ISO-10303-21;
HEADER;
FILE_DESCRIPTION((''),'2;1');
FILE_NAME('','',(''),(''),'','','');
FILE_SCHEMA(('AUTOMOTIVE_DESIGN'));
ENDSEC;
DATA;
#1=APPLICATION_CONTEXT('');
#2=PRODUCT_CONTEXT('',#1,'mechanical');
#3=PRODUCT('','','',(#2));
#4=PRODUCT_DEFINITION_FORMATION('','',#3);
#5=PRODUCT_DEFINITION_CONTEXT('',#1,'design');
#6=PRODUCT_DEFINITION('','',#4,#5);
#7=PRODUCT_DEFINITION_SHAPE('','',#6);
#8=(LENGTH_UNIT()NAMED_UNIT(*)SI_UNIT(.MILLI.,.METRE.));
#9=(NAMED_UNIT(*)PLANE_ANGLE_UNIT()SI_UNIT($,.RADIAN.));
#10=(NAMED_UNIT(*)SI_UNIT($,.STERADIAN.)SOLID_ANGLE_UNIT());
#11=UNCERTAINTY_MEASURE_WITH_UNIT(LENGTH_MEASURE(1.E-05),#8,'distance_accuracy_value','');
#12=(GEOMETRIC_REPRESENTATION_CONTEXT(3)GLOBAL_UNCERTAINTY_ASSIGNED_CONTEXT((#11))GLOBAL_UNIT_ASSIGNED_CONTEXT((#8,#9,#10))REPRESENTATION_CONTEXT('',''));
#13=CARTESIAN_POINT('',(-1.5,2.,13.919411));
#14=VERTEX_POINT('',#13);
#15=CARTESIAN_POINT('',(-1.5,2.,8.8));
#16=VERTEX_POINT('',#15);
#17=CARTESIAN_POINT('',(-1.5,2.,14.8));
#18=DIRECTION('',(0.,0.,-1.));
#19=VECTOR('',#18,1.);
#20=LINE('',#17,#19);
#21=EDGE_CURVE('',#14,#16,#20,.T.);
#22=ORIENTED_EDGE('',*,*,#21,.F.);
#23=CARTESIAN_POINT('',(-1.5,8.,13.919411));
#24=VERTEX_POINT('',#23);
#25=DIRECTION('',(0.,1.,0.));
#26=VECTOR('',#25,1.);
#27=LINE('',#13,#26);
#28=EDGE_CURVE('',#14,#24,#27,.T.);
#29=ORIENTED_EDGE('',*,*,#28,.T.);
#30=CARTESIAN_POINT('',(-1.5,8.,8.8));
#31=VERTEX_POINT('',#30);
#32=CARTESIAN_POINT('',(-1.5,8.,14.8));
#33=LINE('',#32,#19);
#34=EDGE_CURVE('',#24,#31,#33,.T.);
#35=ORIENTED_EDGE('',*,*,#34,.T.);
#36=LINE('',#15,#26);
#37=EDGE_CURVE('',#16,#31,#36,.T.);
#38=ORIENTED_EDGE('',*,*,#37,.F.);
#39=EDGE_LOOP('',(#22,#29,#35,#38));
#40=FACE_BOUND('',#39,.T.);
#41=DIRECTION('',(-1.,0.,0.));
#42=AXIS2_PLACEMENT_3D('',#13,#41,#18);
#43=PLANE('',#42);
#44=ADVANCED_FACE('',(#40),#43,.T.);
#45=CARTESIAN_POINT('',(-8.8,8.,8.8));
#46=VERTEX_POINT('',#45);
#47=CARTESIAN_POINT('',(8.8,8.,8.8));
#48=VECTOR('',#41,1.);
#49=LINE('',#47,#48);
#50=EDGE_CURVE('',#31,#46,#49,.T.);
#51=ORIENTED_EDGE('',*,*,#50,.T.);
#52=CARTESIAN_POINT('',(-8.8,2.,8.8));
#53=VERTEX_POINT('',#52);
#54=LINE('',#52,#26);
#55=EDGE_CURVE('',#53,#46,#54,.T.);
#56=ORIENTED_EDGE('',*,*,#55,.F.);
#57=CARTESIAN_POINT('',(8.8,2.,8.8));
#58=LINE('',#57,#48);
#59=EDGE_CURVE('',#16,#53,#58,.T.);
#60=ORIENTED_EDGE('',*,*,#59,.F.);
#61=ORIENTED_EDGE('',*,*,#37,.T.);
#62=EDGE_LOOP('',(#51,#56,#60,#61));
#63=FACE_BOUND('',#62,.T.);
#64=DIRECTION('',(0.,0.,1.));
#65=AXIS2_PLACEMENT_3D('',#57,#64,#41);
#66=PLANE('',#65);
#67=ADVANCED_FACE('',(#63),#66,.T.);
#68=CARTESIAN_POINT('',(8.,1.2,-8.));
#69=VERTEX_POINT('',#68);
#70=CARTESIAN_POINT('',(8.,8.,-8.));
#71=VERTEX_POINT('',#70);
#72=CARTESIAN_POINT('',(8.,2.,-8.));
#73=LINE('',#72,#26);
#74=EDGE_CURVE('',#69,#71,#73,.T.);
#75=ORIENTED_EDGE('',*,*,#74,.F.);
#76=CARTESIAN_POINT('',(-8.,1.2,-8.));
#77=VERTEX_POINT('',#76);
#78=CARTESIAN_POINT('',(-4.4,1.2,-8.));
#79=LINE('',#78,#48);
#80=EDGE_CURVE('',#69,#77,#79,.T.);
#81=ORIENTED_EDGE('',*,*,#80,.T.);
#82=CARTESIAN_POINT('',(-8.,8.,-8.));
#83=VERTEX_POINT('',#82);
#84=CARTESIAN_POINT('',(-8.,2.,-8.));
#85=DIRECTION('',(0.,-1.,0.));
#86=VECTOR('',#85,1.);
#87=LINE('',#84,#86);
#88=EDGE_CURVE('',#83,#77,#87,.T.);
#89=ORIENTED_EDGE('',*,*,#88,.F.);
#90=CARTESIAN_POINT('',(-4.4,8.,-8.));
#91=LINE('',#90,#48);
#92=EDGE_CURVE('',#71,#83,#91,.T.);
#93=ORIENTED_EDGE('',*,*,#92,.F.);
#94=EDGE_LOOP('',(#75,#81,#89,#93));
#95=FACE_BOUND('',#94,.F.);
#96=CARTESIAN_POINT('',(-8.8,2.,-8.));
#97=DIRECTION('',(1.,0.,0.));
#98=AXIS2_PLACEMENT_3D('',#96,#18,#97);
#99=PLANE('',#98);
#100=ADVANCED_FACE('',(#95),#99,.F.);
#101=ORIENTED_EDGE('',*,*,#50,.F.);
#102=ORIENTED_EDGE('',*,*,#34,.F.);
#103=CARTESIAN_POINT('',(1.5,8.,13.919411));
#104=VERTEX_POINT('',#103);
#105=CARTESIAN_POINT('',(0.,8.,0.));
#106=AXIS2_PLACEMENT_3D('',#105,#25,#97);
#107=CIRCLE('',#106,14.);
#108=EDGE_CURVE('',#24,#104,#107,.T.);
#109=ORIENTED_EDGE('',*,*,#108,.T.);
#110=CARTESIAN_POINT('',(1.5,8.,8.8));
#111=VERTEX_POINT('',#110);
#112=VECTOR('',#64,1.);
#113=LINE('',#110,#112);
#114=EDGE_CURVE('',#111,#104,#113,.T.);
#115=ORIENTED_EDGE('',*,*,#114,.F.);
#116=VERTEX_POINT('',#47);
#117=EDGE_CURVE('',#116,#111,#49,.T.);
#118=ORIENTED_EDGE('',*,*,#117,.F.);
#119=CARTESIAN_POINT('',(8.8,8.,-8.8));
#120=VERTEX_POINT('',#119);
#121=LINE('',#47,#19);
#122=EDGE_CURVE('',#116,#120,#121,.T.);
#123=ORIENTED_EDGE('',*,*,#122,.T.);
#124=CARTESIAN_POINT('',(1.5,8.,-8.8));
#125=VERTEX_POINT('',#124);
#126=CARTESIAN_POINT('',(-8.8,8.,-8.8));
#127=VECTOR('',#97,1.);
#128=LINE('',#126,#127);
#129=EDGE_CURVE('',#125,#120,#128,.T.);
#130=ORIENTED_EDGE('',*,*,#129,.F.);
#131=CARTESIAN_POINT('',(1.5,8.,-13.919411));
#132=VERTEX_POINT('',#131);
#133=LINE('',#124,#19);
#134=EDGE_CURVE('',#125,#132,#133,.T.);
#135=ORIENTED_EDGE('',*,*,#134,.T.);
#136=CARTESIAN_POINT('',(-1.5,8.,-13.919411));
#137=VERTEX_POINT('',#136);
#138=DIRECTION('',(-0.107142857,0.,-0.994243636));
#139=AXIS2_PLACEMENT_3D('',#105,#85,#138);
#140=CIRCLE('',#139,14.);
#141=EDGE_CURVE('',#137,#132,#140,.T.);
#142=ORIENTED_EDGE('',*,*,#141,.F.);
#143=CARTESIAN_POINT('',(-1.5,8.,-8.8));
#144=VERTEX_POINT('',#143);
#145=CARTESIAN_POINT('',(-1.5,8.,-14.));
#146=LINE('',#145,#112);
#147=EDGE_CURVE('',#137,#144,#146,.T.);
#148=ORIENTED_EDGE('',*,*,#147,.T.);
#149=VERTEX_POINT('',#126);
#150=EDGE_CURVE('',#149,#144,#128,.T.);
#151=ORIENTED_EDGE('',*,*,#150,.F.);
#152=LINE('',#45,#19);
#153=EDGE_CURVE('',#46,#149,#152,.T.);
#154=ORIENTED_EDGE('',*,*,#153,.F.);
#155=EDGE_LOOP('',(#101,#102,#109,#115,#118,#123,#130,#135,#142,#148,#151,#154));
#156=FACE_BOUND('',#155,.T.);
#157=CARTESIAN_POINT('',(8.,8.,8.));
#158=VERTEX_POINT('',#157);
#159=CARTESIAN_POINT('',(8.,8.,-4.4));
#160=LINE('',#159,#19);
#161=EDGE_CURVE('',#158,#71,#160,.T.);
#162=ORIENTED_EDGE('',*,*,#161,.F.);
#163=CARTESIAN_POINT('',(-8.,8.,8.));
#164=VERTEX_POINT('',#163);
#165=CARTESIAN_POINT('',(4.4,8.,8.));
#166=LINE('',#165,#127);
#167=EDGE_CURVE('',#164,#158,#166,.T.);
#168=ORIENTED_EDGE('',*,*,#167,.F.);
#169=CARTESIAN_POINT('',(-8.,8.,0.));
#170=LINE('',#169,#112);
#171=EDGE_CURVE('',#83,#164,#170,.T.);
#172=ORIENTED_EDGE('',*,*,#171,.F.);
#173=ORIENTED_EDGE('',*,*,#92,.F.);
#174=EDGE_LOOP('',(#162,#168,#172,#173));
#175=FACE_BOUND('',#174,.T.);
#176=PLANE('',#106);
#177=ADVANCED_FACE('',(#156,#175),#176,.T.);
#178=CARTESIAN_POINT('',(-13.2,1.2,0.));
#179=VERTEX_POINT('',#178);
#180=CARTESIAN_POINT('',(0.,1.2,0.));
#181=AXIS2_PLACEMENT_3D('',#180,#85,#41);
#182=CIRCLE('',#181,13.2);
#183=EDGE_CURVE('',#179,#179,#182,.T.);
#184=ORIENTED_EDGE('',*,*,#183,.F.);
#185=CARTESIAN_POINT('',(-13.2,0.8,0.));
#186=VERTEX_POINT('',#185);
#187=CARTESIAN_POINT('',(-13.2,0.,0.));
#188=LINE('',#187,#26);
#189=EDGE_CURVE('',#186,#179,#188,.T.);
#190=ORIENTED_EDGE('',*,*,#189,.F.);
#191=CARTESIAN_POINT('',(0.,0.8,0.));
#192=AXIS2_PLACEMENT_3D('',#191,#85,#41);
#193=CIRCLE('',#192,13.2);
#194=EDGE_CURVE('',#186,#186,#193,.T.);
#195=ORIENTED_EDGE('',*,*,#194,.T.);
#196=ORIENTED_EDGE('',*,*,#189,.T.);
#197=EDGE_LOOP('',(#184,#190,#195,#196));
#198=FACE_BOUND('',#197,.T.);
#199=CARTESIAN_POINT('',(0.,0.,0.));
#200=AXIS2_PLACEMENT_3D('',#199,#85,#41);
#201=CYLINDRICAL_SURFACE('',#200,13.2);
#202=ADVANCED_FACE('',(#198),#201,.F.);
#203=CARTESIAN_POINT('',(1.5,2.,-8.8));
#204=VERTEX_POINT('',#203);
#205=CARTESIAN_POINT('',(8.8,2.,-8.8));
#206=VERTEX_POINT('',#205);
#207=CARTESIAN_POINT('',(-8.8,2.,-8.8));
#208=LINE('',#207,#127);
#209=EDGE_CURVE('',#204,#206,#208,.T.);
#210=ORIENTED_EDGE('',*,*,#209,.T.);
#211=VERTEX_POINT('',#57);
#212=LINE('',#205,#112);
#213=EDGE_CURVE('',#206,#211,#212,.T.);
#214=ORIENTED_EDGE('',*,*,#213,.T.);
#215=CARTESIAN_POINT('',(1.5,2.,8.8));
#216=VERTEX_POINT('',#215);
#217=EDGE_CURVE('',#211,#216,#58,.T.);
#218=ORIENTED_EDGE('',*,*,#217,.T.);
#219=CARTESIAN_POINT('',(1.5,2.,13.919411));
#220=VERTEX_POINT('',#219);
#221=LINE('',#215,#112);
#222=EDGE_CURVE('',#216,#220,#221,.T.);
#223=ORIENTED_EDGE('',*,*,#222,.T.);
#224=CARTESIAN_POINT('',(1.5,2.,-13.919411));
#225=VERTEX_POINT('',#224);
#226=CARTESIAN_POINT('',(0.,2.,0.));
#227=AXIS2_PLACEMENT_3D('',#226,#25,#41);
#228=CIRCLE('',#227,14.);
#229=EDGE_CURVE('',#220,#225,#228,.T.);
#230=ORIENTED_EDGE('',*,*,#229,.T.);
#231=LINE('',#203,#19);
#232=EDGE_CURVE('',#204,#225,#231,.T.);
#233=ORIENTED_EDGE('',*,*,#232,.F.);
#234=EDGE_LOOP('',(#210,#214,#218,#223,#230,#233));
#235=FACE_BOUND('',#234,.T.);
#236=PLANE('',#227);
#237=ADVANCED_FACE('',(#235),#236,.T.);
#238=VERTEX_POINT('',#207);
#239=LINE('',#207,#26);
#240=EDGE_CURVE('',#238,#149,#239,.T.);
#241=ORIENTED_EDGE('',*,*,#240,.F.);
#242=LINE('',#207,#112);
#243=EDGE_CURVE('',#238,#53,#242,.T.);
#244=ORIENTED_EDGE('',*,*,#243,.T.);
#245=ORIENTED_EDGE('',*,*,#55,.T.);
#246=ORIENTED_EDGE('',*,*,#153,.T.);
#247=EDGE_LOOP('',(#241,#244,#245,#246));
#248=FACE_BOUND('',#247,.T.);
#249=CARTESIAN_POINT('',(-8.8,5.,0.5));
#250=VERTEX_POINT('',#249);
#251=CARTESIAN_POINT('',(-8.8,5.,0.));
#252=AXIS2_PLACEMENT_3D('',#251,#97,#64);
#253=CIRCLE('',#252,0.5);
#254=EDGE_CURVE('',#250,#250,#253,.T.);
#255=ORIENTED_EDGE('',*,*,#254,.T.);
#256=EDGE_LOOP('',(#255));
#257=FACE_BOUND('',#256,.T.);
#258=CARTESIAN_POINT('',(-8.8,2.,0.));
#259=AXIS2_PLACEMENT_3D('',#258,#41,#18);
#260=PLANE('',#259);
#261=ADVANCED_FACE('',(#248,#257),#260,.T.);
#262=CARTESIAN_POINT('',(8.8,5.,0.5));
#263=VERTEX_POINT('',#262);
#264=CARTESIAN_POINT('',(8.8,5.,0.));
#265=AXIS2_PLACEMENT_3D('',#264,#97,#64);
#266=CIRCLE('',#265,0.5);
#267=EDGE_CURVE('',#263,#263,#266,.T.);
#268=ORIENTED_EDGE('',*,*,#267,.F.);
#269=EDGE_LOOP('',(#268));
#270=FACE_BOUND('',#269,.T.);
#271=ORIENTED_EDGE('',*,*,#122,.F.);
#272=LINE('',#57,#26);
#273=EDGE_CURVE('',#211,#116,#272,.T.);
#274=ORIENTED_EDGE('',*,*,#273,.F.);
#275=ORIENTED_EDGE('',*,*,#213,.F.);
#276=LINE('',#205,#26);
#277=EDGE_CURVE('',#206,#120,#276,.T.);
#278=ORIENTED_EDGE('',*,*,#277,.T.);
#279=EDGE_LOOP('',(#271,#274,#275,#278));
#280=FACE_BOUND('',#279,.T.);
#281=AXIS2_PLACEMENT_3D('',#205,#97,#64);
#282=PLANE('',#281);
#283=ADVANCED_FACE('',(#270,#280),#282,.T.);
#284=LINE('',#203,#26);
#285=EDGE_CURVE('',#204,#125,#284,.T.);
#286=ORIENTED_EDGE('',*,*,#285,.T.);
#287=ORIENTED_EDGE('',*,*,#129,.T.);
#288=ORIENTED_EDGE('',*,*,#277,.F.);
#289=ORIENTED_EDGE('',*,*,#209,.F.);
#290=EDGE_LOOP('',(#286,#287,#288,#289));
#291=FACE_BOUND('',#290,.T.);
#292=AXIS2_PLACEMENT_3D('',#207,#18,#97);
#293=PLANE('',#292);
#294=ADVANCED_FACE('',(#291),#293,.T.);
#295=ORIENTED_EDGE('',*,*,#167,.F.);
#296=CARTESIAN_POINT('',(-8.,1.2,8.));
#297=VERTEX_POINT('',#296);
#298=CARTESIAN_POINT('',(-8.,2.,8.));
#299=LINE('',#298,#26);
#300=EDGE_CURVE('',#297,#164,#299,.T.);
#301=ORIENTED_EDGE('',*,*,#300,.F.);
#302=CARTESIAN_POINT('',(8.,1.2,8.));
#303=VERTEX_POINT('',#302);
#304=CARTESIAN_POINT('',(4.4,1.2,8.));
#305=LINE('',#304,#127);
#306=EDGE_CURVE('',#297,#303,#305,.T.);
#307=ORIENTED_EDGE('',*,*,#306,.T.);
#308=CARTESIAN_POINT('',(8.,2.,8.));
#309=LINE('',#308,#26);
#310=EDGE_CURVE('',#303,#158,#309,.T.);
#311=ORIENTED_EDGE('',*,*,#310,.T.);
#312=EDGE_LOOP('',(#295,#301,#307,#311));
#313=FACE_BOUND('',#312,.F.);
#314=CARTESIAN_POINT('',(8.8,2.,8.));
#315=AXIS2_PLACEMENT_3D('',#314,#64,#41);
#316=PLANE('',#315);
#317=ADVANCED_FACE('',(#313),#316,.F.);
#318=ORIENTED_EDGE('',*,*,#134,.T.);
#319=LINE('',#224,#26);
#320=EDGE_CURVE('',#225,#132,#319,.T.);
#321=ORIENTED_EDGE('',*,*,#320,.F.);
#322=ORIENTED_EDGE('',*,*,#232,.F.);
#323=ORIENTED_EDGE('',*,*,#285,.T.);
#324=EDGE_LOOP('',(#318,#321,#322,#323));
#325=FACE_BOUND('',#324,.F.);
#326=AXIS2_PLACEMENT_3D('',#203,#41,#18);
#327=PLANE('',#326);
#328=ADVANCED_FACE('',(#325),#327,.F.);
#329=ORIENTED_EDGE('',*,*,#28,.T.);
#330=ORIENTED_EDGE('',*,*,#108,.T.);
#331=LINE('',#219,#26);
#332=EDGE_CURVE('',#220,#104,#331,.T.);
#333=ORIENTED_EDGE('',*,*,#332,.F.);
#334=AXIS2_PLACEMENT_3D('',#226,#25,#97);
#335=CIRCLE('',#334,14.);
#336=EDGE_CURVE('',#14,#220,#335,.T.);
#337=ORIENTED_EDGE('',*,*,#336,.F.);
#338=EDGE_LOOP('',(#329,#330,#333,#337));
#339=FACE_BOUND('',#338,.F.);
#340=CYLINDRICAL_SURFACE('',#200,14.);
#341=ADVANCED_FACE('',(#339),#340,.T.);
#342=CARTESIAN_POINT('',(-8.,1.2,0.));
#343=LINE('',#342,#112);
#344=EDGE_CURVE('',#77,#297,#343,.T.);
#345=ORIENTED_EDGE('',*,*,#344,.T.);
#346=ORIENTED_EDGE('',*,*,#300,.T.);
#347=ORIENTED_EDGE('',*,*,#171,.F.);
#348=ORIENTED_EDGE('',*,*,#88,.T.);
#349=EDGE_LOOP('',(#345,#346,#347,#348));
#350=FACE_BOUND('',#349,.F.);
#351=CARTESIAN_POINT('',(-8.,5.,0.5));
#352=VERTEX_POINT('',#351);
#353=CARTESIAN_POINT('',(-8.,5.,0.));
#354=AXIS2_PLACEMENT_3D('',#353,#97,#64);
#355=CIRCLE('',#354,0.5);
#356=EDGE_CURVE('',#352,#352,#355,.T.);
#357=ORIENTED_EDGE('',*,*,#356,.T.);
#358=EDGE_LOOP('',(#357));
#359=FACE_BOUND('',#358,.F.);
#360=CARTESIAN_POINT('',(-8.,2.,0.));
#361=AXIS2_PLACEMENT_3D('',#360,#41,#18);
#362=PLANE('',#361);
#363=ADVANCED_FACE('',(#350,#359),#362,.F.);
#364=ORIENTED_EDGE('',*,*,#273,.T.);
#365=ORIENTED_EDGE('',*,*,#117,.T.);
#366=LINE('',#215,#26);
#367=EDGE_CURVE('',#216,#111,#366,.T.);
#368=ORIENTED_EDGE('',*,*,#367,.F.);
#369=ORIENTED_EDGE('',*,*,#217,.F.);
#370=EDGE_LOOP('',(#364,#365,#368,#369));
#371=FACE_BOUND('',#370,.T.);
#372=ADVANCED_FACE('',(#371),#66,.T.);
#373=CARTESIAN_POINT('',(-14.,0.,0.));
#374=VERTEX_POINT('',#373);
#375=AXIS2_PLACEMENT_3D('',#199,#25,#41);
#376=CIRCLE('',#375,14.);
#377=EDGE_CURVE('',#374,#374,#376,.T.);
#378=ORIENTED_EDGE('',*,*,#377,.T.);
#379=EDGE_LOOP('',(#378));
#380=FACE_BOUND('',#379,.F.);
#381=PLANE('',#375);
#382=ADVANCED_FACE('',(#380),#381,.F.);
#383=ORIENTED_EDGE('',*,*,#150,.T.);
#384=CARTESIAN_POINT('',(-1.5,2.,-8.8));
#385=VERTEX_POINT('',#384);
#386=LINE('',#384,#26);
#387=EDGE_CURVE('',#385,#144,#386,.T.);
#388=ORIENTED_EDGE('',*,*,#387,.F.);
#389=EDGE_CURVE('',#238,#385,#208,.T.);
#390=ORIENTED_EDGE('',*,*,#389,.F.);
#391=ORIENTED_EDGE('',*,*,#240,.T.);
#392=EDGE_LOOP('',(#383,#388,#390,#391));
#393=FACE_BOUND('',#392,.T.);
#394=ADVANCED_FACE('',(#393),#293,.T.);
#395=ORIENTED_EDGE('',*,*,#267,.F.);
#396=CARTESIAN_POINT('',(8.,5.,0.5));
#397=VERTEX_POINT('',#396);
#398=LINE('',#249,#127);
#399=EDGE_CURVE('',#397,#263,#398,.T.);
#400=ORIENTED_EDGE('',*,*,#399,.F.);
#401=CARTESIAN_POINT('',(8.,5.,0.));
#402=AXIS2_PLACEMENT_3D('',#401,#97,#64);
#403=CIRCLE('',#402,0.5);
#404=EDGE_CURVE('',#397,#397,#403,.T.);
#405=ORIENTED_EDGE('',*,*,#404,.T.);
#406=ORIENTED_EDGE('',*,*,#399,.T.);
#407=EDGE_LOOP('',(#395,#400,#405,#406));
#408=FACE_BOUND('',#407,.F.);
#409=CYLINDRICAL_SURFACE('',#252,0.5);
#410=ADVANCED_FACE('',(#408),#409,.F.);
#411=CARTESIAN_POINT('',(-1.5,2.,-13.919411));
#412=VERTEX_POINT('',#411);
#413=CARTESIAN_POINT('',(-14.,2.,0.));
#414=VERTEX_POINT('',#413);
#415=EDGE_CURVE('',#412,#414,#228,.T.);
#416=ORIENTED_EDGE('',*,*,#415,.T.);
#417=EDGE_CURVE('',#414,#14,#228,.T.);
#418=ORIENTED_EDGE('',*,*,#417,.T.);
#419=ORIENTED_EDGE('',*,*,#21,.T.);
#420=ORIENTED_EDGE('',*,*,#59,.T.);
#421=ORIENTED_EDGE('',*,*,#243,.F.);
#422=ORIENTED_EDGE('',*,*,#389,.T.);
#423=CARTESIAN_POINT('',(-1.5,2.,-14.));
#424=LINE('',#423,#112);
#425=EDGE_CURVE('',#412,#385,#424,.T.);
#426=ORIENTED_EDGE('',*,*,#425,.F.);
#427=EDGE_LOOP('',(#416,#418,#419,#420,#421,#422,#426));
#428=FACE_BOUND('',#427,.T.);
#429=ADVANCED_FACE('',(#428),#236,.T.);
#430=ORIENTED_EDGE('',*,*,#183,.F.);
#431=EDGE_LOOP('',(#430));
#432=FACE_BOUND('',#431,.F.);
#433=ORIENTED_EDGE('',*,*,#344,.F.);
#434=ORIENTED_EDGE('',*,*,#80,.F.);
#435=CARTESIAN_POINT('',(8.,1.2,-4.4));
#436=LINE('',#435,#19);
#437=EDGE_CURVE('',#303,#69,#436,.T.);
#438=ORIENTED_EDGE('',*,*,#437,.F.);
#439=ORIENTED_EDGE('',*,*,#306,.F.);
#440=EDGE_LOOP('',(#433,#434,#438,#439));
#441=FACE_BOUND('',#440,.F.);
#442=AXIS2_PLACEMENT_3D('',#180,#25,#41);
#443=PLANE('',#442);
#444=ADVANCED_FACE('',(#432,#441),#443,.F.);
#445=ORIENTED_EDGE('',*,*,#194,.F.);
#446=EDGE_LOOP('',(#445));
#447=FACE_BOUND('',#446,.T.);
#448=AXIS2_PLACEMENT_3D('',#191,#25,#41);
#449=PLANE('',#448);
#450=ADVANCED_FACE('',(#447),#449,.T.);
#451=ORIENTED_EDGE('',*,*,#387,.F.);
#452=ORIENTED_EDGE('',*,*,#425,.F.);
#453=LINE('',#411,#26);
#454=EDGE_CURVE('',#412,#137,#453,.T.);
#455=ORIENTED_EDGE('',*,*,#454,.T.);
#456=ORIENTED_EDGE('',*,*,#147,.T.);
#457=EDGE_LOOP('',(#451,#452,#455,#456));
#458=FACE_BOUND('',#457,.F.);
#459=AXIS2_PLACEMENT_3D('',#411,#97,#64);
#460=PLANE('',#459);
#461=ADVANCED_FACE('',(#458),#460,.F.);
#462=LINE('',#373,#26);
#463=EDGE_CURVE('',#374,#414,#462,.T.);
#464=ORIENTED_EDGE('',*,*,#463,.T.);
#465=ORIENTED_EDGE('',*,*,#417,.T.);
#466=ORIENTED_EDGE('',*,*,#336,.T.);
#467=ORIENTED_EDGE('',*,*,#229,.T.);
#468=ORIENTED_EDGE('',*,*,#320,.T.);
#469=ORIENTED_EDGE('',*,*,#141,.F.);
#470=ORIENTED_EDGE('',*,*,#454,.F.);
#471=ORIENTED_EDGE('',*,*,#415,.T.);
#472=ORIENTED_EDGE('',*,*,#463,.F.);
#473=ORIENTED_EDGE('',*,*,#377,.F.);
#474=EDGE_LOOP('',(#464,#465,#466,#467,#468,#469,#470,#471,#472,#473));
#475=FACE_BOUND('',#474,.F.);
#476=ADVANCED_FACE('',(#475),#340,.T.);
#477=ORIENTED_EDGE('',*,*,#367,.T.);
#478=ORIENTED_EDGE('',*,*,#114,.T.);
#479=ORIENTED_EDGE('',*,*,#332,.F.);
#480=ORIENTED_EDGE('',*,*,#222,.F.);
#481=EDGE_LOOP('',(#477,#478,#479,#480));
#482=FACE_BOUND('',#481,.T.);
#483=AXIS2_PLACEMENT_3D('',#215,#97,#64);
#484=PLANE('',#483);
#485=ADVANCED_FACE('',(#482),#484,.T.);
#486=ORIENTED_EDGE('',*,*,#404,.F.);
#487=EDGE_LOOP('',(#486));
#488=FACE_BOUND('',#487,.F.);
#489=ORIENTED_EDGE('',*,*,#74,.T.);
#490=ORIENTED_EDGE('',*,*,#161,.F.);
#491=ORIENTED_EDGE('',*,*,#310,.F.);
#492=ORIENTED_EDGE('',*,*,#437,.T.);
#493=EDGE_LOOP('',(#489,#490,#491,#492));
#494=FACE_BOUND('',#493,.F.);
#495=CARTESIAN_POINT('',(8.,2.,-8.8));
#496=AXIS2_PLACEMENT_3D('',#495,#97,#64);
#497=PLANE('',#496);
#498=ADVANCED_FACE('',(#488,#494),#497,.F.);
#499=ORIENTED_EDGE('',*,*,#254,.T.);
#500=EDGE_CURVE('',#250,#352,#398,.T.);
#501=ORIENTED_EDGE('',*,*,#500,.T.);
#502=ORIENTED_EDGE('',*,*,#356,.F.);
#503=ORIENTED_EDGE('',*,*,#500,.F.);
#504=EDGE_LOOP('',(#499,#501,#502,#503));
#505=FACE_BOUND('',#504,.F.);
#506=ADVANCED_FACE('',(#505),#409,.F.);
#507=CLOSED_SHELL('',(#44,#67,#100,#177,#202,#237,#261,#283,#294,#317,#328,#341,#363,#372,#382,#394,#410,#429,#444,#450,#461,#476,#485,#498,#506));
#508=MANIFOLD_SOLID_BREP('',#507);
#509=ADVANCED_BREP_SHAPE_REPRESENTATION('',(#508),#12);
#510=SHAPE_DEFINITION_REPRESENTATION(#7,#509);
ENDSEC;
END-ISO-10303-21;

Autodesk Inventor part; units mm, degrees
ref_plane "YZ Plane" through (0, 0, 0) normal (1, 0, 0) x (0, 1, 0)
ref_plane "XZ Plane" through (0, 0, 0) normal (0, 1, 0) x (-1, 0, 0)
ref_plane "XY Plane" through (0, 0, 0) normal (0, 0, 1) x (1, 0, 0)
sketch "Sketch2" plane through (0, 0, 0) normal (0, 1, 0) x (-1, 0, 0)
  circle A0 centre (0, 0) radius 14
  circle A1 centre (0, 0) radius 13
  dimension "d0" = 28
  dimension "d110" = 26
extrude "Extrusion1" add sketch "Sketch2" along normal blind 2 contours A0 | A1
sketch "Sketch13" plane through (0, 2, 0) normal (0, 1, 0) x (1, 0, 0)
  line L0 (0, 0) -> (8.8, 0)
  line L1 (8.8, 0) -> (8.8, -8.8)
  line L2 (8.8, -8.8) -> (-8.8, -8.8)
  line L3 (-8.8, -8.8) -> (-8.8, 8.8)
  line L4 (-8.8, 8.8) -> (8.8, 8.8)
  line L5 (8.8, 8.8) -> (8.8, 0)
  line L6 (0, 0) -> (8, 0)
  line L7 (8, 0) -> (8, -8)
  line L8 (8, -8) -> (-8, -8)
  line L9 (-8, -8) -> (-8, 8)
  line L10 (-8, 8) -> (8, 8)
  line L11 (8, 8) -> (8, 0)
  line L12 (-8.8, 0) -> (-8, 0)
  dimension "d104" = 8.8
  dimension "d105" = 8.8
  dimension "d106" = 17.6
  dimension "d107" = 17.6
  dimension "d108" = 17.6
  dimension "d109" = 8.8
  dimension "d114" = 8
  dimension "d115" = 8
  dimension "d116" = 16
  dimension "d117" = 16
  dimension "d118" = 16
  dimension "d119" = 8
extrude "Extrusion8" add sketch "Sketch13" along normal blind 6
shell "Shell2" thickness 0.8 removed faces 1 at (-2.9333, 8, -2.9333)
sketch "Sketch14" plane through (-8.8, 2, -8.8) normal (-1, 0, 0) x (0, 0, 1)
  line L0 (17.6, 6) -> (0, 6) projected
  line L1 (8.8, 6) -> (8.8, 3)
  line L2 (8.8, 3) -> (0, 3)
  line L3 (0, 0) -> (0, 6) projected
  circle A0 centre (8.8, 3) radius 0.5
  point P0 (8.8, -2)
  dimension "d121" = 3
  dimension "d122" = 8.8
  dimension "d123" = 1
hole "Hole5" at (-8.8, 5, 0) direction (1, 0, 0) diameter 1 depth 20
sketch "Sketch15" plane through (0, 2, 0) normal (0, 1, 0) x (1, 0, 0)
  line L0 (-8.8, -8.8) -> (8.8, -8.8) projected
  circle A0 centre (0, 0) radius 14 projected
  line L1 (0, -8.8) -> (1.5, -8.8)
  line L2 (1.5, -8.8) -> (1.5, -14.8)
  line L3 (1.5, -14.8) -> (-1.5, -14.8)
  line L4 (1.5, -14.8) -> (4.5, -14.8) construction
  line L5 (-1.5, -14.8) -> (-1.5, -8.8)
  line L6 (-1.5, -8.8) -> (1.5, -8.8)
  point P0 (-1.5, -13.9194)
  point P1 (1.5, -13.9194)
  dimension "d132" = 1.5
  dimension "d133" = 6
  dimension "d134" = 3
  dimension "d136" = 6
  dimension "d137" = 3
extrude "Extrusion9" add sketch "Sketch15" along normal blind 6 contours L0 L2 A0 L5 picked at (0.667, -10.5303)
sketch "Sketch17" plane through (0, 2, 0) normal (0, 1, 0) x (1, 0, 0)
  circle A0 centre (0, 0) radius 14 projected
  line L0 (0, 14) -> (-1.5, 14)
  line L1 (-1.5, 14) -> (-1.5, 8.8)
  line L2 (8.8, 8.8) -> (-8.8, 8.8) projected
  line L3 (-1.5, 8.8) -> (1.5, 8.8)
  line L4 (1.5, 8.8) -> (1.5, 14)
  line L5 (1.5, 14) -> (0, 14)
  point P0 (1.5, 8.8)
  point P1 (1.5, 13.9194)
  point P2 (-1.5, 13.9194)
  dimension "d159" = 1.5
  dimension "d160" = 3
extrude "Extrusion11" add sketch "Sketch17" along normal blind 6 contours L4 L2 L1 A0 picked at (0, 10.5333)
properties part number "Part6_containter_bottom" material "ABS Plastic"
